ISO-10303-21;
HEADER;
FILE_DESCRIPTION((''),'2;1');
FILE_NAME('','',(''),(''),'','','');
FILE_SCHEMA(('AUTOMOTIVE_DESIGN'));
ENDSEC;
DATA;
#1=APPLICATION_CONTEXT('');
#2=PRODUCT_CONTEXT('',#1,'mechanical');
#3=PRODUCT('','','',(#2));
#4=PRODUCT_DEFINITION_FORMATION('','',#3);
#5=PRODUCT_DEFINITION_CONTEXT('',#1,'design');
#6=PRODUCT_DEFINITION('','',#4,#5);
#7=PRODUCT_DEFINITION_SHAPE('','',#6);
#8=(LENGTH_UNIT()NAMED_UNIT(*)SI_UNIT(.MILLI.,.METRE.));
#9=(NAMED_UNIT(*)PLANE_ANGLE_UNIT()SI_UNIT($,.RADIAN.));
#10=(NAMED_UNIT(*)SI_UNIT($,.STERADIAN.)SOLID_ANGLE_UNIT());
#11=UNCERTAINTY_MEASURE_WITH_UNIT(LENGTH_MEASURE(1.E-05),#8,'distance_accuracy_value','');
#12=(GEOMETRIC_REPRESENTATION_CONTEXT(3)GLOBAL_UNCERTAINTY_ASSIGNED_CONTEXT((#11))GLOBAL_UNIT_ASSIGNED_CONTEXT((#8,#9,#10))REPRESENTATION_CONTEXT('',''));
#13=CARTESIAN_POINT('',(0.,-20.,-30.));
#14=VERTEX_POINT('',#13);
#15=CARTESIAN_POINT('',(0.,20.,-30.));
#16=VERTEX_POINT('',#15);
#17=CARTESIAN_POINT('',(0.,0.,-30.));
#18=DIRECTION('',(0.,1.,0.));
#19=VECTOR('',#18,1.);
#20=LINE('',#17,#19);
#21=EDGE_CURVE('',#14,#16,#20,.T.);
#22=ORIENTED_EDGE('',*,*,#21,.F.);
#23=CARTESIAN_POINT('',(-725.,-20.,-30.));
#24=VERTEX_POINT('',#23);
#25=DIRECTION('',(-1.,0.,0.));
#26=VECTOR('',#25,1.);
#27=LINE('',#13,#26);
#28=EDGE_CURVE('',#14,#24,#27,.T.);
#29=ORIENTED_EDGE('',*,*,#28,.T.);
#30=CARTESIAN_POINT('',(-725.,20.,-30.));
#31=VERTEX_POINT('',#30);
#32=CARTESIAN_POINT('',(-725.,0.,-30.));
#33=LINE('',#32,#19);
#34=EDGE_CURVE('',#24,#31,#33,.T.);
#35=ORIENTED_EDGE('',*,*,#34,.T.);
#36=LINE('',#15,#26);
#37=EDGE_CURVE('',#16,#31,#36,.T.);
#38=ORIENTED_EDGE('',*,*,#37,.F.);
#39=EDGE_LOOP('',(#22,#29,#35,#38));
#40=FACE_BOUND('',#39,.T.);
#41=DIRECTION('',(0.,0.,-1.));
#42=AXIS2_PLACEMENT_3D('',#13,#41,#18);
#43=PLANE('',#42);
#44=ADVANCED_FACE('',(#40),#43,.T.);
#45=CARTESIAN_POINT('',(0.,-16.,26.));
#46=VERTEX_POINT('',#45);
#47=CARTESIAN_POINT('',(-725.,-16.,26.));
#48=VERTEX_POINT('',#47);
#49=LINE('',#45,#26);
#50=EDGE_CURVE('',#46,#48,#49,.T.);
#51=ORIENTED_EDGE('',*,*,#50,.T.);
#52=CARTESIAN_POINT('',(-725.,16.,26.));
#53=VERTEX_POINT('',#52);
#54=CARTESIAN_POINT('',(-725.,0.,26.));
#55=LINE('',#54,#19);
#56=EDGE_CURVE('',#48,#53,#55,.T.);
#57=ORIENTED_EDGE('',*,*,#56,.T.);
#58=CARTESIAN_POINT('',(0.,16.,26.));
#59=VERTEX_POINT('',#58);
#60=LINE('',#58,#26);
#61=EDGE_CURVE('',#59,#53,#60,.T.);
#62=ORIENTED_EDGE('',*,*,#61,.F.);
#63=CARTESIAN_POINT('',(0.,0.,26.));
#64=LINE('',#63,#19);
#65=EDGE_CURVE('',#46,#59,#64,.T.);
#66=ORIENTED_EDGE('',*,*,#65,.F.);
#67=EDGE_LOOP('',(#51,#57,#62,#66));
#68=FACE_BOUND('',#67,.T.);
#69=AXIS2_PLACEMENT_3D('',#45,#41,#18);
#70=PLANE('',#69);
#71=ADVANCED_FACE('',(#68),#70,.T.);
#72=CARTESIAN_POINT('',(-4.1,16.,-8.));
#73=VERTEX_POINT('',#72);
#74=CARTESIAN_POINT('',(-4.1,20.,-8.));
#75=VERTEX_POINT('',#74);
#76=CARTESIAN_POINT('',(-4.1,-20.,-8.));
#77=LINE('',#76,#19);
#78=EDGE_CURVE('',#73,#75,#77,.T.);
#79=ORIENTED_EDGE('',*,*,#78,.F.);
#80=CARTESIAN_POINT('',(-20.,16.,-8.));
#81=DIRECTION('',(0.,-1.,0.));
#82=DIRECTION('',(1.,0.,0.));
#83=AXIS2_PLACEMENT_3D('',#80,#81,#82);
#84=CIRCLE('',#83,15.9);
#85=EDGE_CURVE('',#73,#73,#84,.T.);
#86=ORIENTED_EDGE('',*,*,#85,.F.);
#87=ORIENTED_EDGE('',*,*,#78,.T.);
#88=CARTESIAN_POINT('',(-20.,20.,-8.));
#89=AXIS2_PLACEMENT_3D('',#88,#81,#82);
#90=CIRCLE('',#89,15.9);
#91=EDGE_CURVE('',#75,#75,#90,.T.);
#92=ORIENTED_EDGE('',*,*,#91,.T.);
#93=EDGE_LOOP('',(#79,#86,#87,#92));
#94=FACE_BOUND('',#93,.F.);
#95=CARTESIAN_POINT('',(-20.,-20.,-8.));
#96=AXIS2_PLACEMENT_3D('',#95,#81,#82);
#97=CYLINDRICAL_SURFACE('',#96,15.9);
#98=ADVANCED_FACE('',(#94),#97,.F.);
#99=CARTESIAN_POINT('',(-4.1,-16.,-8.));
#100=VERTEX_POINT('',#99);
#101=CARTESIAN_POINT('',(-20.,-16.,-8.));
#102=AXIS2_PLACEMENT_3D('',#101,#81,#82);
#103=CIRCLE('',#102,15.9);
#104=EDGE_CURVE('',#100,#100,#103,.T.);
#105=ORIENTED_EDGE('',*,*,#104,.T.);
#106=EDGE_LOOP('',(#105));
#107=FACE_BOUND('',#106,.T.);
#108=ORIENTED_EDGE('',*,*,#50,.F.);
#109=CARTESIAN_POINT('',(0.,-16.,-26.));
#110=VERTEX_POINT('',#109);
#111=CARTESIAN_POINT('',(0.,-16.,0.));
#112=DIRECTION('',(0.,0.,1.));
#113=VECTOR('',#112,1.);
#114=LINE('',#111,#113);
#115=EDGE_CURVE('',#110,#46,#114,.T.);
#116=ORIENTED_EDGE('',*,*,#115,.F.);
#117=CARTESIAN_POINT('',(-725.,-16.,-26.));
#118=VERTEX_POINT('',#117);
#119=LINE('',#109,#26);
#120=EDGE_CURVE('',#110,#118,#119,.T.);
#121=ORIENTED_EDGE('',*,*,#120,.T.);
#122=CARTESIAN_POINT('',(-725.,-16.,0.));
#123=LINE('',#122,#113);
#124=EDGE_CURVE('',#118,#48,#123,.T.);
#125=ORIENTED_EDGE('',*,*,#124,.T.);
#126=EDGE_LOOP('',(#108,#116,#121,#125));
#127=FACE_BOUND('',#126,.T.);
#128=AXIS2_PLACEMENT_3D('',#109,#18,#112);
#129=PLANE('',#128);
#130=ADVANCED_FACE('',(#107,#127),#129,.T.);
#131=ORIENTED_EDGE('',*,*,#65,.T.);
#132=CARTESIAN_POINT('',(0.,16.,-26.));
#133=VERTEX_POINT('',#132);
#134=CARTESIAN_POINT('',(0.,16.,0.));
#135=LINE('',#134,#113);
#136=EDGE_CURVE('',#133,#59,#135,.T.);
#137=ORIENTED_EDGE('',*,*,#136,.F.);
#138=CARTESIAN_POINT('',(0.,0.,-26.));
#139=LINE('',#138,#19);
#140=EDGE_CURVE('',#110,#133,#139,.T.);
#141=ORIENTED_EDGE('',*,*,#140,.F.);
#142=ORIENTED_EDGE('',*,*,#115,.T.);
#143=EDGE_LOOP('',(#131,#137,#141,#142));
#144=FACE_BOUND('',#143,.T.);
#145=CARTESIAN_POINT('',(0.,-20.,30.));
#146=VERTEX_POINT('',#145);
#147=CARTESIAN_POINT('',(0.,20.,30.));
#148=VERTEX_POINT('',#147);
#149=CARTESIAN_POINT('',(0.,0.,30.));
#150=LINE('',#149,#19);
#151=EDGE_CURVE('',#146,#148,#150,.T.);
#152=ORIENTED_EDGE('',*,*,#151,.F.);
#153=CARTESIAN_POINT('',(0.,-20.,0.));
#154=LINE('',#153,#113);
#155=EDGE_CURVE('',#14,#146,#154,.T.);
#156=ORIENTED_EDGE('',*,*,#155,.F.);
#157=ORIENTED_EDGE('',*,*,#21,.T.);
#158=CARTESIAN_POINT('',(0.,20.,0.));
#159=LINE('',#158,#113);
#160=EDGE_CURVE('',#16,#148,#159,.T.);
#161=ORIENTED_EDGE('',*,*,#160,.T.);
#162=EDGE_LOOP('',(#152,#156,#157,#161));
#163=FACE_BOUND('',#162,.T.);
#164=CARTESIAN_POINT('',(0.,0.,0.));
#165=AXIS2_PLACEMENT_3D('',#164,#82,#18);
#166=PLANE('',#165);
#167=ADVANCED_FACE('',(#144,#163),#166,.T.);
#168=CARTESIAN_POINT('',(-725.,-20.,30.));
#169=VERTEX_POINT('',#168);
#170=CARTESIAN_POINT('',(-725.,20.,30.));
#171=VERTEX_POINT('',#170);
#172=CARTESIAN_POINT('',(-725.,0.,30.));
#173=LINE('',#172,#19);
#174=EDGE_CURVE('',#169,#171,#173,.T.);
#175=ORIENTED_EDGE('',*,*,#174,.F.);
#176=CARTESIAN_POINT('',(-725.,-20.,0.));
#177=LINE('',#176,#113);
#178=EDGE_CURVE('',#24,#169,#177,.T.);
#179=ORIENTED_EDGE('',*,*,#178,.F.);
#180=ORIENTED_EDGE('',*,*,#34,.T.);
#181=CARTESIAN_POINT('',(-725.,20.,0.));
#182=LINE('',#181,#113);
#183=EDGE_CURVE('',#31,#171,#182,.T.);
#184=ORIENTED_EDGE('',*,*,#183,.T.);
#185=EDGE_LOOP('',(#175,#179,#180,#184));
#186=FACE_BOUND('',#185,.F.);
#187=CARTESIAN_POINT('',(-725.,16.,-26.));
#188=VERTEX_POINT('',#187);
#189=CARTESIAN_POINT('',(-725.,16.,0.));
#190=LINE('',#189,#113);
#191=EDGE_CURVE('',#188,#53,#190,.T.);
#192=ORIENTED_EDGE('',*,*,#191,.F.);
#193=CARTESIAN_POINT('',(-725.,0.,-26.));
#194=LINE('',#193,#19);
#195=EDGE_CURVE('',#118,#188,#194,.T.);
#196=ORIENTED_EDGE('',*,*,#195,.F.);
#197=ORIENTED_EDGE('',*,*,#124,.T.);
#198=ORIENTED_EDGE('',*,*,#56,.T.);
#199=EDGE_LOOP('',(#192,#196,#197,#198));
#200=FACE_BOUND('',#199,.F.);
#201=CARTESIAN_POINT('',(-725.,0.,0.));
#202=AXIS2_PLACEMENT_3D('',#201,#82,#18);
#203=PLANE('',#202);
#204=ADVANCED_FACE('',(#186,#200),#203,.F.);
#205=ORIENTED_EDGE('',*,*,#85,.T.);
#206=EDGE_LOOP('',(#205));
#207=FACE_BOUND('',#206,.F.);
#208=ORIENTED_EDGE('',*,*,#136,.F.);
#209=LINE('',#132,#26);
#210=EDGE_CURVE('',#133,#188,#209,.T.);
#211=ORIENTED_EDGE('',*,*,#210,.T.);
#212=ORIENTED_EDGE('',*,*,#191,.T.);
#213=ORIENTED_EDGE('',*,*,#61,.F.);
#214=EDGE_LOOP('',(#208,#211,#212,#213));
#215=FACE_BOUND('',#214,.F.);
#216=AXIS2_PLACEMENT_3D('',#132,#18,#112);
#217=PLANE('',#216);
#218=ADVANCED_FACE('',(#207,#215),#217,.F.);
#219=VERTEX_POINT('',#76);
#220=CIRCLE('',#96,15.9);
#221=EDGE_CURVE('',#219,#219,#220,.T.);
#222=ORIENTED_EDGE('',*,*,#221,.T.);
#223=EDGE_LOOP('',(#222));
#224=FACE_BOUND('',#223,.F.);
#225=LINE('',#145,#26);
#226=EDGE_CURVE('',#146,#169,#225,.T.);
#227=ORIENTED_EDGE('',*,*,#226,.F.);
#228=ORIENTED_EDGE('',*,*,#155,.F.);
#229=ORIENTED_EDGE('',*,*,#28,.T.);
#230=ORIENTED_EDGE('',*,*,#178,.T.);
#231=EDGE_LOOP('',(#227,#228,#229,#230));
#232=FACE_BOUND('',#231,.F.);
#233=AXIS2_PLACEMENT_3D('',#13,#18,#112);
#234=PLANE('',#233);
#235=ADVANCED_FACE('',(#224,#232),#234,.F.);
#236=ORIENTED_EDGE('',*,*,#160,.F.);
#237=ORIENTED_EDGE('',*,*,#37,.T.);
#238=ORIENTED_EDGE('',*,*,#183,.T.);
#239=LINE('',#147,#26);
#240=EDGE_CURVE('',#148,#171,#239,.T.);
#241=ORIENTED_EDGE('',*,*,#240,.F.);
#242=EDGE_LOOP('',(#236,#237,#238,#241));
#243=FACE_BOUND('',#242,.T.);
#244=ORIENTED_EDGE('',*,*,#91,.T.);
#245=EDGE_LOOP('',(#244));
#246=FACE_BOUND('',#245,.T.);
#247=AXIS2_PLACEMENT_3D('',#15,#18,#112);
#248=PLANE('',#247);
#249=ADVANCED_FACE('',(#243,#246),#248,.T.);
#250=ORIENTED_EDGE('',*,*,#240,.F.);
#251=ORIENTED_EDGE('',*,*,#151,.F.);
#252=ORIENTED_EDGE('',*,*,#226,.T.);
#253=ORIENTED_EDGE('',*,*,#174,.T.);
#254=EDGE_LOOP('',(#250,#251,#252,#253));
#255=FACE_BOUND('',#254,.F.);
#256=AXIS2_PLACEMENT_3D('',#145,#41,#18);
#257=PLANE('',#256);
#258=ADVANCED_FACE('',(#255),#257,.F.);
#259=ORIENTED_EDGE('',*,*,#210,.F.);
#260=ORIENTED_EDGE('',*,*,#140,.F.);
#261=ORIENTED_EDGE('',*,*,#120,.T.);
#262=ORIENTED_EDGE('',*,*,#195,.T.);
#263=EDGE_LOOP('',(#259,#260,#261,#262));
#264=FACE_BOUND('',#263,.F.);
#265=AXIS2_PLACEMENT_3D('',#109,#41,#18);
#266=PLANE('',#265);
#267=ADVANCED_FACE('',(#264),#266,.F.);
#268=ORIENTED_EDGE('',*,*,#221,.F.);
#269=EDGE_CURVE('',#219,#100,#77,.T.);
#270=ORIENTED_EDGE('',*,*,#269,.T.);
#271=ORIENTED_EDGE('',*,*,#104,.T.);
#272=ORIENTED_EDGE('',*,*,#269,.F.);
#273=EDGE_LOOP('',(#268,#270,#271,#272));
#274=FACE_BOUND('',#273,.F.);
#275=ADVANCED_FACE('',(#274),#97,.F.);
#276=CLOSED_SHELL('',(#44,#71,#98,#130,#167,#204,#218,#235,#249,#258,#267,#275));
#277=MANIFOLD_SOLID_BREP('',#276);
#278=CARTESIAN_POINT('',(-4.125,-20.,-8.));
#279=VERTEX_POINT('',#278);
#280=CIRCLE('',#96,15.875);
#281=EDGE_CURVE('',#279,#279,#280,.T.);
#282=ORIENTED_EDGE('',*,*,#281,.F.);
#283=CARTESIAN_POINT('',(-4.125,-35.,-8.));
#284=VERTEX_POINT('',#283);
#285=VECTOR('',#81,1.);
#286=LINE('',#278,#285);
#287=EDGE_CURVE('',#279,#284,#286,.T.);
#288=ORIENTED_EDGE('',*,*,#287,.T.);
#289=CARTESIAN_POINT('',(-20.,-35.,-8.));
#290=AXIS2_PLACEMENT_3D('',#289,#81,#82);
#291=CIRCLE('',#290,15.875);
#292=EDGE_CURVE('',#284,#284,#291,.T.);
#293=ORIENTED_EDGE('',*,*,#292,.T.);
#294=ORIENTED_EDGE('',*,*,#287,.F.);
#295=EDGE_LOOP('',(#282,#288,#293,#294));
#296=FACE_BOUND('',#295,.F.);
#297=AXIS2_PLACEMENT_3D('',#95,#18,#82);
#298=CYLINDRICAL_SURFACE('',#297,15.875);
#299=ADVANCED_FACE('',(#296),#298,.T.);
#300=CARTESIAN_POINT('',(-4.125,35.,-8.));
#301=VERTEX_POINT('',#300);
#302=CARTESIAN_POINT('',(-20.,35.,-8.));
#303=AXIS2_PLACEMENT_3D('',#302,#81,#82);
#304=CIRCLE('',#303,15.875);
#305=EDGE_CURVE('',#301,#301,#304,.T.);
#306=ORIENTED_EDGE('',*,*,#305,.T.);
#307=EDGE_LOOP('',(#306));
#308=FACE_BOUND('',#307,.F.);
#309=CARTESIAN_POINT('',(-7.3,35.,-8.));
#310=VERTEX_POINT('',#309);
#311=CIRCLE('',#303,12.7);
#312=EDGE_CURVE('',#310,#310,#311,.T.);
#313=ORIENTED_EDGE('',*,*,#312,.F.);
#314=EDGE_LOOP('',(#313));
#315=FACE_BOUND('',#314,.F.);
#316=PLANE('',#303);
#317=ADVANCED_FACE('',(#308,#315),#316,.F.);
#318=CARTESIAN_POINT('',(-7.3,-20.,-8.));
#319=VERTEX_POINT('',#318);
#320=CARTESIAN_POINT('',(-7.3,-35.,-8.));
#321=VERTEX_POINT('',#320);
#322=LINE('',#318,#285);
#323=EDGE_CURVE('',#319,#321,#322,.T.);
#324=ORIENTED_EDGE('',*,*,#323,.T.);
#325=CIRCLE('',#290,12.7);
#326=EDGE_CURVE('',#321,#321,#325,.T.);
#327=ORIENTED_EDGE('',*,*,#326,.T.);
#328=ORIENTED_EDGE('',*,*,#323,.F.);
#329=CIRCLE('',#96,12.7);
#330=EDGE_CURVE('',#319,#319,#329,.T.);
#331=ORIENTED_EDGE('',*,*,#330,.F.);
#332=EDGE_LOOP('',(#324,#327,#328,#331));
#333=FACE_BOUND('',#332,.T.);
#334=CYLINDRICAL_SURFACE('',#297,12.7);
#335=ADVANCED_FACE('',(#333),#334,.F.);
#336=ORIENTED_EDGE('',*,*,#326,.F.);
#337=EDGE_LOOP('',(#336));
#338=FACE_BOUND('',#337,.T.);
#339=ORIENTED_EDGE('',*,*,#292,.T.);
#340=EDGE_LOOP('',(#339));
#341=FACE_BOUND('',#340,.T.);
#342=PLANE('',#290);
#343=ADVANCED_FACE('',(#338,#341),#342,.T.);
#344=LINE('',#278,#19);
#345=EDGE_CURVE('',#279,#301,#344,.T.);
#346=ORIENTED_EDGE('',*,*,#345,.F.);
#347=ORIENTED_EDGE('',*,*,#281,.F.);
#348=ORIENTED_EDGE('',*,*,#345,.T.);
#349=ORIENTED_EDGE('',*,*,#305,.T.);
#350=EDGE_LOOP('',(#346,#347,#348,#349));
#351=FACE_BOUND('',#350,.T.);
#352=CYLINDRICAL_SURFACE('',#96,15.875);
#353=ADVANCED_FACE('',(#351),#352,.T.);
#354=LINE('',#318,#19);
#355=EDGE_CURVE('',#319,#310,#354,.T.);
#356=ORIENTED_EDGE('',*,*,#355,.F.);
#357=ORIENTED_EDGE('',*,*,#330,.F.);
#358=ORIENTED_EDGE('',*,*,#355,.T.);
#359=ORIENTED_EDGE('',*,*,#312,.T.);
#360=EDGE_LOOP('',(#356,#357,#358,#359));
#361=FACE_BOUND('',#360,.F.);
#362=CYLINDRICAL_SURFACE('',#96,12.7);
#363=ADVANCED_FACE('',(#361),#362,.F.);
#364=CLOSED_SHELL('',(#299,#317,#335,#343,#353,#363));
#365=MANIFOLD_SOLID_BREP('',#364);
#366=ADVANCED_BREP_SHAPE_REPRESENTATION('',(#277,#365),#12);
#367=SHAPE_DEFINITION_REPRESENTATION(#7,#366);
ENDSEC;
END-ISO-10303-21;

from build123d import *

# Parameters (mm, degrees)
F0_W        = 40
F0_H        = 60
F0_W_2      = 32
F0_H_2      = 52
F1_DEPTH    = 725
F2_R        = 15.9
F3_DEPTH    = 40
F4_R        = 15.875
F4_R_2      = 12.7
F5_DEPTH    = 55
F5_FACE_R   = 15.875
F5_FACE_R_2 = 12.7
F6_DEPTH    = 15


with BuildPart() as f1:
    # F0 (on Right) → F1 (new body)
    with BuildSketch(Plane.YZ):
        Rectangle(F0_W, F0_H)
        Rectangle(F0_W_2, F0_H_2, mode=Mode.SUBTRACT)
    extrude(amount=-F1_DEPTH)

    # F2 (on face) → F3 (cut)
    with BuildSketch(Plane.XZ.offset(20)):
        with Locations((-20, -8)):
            Circle(F2_R)
    extrude(amount=-F3_DEPTH, mode=Mode.SUBTRACT)


with BuildPart() as f5:
    # F4 (on face) → F5 (new body)
    with BuildSketch(Plane.XZ.offset(20)):
        with Locations((-20, -8)):
            Circle(F4_R)
        with Locations((-20, -8)):
            Circle(F4_R_2, mode=Mode.SUBTRACT)
    extrude(amount=-F5_DEPTH)

    # F5_face (on face) → F6 (join)
    with BuildSketch(Plane(origin=(-20, -20, -8), x_dir=(1, 0, 0), z_dir=(0, -1, 0))):
        Circle(F5_FACE_R)
        Circle(F5_FACE_R_2, mode=Mode.SUBTRACT)
    extrude(amount=F6_DEPTH)


solid = Compound([f1.part, f5.part])
